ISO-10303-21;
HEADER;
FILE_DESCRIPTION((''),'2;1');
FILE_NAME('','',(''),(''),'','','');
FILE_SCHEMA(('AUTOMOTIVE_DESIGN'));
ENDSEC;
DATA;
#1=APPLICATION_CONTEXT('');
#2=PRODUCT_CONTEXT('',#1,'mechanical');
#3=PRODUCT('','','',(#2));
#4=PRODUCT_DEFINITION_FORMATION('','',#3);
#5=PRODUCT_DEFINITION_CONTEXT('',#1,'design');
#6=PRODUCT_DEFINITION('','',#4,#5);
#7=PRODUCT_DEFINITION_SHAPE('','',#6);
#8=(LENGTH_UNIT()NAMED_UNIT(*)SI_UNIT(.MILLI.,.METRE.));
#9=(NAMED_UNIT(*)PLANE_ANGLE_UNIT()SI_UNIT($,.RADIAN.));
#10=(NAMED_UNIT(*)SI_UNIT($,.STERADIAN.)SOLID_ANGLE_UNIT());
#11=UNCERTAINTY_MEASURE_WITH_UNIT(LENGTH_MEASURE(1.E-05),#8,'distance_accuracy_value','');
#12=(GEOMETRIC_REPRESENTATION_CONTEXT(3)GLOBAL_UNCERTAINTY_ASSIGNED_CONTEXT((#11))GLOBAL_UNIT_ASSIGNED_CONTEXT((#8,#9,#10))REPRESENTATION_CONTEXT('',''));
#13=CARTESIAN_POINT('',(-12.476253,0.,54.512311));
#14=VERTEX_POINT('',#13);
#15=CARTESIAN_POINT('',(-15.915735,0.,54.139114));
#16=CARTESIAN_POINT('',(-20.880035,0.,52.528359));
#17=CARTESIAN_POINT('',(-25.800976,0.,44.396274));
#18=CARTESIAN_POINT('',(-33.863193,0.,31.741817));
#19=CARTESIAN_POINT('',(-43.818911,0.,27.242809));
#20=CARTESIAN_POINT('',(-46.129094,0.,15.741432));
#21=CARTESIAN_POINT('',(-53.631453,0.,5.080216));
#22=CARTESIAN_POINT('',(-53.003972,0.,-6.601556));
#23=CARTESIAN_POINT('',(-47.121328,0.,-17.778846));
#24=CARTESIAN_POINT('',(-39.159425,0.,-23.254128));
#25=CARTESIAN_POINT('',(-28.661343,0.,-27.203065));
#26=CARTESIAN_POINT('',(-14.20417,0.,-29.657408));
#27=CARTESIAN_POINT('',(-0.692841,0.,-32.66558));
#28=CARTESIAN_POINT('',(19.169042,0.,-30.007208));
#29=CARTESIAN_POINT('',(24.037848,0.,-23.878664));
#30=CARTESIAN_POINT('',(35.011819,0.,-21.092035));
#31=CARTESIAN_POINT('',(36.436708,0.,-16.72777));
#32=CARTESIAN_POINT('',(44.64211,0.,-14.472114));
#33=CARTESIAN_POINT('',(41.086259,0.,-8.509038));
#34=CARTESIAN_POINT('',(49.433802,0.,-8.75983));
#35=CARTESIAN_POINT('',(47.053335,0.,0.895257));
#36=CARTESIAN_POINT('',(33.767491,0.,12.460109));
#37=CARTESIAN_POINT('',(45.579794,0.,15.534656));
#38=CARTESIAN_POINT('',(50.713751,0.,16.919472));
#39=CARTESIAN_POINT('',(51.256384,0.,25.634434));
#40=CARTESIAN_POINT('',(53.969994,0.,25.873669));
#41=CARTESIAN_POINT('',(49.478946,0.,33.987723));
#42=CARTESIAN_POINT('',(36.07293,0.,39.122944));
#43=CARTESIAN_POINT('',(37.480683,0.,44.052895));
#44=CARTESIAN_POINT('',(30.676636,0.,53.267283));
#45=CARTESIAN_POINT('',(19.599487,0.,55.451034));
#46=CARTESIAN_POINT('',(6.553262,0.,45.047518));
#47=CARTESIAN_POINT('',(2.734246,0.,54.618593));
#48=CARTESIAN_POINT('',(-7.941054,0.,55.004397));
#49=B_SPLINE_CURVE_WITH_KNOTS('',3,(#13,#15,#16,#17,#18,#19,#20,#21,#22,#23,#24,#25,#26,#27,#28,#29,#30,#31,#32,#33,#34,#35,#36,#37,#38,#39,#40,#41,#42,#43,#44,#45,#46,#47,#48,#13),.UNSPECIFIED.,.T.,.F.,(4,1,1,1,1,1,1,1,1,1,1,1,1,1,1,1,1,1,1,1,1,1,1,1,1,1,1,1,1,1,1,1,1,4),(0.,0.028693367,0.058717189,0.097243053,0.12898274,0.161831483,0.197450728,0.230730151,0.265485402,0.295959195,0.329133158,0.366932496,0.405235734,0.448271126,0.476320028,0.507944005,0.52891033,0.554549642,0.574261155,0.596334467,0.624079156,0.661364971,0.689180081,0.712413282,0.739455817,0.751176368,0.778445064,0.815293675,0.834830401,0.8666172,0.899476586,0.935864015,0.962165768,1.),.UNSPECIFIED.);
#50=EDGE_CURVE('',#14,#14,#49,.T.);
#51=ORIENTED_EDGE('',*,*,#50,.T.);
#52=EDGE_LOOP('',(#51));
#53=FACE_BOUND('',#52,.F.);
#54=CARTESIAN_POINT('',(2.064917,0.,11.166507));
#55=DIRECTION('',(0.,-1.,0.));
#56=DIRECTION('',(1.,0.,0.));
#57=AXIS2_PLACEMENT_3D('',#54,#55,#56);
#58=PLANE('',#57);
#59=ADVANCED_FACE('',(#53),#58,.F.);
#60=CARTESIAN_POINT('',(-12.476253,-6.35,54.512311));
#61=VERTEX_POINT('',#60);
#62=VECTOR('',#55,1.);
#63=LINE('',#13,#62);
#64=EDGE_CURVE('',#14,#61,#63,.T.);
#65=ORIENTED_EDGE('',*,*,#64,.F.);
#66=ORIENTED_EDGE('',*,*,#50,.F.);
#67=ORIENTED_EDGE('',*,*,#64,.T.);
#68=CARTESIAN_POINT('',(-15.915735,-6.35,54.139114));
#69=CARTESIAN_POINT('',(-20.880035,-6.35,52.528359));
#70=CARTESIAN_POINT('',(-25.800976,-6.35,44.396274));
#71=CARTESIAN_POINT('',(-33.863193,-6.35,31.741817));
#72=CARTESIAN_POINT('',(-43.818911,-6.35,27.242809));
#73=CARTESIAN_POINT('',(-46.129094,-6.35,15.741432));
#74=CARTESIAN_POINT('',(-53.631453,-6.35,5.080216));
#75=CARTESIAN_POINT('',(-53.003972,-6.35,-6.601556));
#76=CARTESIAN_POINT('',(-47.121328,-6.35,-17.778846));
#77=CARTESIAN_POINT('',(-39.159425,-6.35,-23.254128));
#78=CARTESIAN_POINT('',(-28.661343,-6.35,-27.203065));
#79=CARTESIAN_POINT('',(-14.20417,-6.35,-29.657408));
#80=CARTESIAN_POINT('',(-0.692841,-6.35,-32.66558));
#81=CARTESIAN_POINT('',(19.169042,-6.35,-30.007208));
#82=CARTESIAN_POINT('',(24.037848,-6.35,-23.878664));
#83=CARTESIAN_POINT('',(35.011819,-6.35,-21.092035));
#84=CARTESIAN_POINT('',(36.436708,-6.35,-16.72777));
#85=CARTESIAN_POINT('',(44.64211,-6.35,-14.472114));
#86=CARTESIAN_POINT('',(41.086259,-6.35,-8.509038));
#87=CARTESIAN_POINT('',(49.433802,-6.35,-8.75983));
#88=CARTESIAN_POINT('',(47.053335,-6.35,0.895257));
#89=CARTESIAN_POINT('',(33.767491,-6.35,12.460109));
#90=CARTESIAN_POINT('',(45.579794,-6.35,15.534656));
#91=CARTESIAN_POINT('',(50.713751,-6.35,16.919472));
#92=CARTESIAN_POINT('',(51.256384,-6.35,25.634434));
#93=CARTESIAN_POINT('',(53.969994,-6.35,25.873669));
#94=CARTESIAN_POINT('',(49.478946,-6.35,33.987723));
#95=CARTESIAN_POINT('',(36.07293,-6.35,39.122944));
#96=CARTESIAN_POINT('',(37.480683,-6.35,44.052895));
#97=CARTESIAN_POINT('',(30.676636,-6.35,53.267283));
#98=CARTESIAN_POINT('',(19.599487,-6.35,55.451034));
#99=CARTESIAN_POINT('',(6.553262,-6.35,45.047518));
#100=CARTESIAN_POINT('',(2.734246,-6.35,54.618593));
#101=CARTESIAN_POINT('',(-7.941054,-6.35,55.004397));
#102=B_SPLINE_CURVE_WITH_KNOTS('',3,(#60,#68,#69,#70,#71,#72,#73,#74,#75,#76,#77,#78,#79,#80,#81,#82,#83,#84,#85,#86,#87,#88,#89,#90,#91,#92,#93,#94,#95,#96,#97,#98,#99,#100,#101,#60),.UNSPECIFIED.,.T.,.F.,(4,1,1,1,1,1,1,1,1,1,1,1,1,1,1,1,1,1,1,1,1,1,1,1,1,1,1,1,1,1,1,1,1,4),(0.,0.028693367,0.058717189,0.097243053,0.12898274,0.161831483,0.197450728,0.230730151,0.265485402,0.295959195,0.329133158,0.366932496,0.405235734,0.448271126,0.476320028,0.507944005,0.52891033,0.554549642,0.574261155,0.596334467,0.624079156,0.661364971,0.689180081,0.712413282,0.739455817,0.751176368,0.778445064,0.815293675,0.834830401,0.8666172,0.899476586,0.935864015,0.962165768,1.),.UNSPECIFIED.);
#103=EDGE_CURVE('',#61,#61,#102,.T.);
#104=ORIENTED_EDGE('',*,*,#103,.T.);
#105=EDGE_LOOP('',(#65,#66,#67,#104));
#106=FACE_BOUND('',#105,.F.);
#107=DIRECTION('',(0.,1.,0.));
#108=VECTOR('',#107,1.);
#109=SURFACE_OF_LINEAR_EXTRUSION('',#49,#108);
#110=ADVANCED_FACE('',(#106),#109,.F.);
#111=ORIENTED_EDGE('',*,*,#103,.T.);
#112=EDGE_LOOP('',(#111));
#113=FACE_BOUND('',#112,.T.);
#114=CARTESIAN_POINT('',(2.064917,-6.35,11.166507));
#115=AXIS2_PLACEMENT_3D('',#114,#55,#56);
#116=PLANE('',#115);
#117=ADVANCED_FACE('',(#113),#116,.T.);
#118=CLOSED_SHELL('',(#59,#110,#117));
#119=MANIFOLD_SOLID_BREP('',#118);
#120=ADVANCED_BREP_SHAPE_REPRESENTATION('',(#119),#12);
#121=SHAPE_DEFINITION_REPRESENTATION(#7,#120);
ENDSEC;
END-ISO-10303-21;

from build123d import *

# Parameters (mm, degrees)
F1_DEPTH = 6.35


with BuildPart() as f1:
    # F0 (on Front) → F1 (new body)
    with BuildSketch(Plane.XZ):
        with BuildLine():
            add(Edge.make_bspline(
                [(-12.4762533233, 54.5123107731), (-15.9157350313, 54.1391141626), (-20.8800350052, 52.5283587487), (-25.8009757163, 44.3962743649), (-33.8631933507, 31.7418167354), (-43.8189110045, 27.2428094942), (-46.1290943645, 15.7414323739), (-53.6314529016, 5.0802163727), (-53.0039721938, -6.60155638), (-47.1213280756, -17.7788462), (-39.1594247472, -23.2541278218), (-28.6613427069, -27.2030653432), (-14.204170482, -29.6574081766), (-0.6928410195, -32.6655795842), (19.169042466, -30.0072075426), (24.0378478233, -23.878663854), (35.0118189881, -21.0920345958), (36.4367081799, -16.7277699461), (44.6421100855, -14.472114228), (41.0862591078, -8.5090384638), (49.4338017197, -8.7598297802), (47.0533350874, 0.8952570278), (33.7674910679, 12.4601085391), (45.5797935037, 15.5346562148), (50.7137514577, 16.9194717645), (51.2563843623, 25.634434119), (53.969994101, 25.8736692069), (49.478946155, 33.9877234623), (36.0729299655, 39.1229441742), (37.4806827656, 44.052895108), (30.6766356636, 53.2672833697), (19.599487004, 55.4510339572), (6.553261518, 45.047517527), (2.734246071, 54.6185926288), (-7.9410537148, 55.0043968679), (-12.4762533233, 54.5123107731)],
                knots=[0, 0, 0, 0, 0.0286933672, 0.0587171886, 0.0972430531, 0.1289827402, 0.1618314828, 0.1974507279, 0.2307301514, 0.265485402, 0.2959591954, 0.3291331576, 0.3669324961, 0.4052357345, 0.4482711257, 0.4763200285, 0.5079440054, 0.5289103297, 0.5545496422, 0.5742611553, 0.5963344675, 0.6240791556, 0.6613649713, 0.6891800815, 0.7124132821, 0.7394558169, 0.7511763681, 0.7784450643, 0.8152936754, 0.8348304013, 0.8666172001, 0.8994765861, 0.9358640149, 0.9621657684, 1, 1, 1, 1], degree=3))
        make_face()
    extrude(amount=F1_DEPTH)


solid = f1.part
